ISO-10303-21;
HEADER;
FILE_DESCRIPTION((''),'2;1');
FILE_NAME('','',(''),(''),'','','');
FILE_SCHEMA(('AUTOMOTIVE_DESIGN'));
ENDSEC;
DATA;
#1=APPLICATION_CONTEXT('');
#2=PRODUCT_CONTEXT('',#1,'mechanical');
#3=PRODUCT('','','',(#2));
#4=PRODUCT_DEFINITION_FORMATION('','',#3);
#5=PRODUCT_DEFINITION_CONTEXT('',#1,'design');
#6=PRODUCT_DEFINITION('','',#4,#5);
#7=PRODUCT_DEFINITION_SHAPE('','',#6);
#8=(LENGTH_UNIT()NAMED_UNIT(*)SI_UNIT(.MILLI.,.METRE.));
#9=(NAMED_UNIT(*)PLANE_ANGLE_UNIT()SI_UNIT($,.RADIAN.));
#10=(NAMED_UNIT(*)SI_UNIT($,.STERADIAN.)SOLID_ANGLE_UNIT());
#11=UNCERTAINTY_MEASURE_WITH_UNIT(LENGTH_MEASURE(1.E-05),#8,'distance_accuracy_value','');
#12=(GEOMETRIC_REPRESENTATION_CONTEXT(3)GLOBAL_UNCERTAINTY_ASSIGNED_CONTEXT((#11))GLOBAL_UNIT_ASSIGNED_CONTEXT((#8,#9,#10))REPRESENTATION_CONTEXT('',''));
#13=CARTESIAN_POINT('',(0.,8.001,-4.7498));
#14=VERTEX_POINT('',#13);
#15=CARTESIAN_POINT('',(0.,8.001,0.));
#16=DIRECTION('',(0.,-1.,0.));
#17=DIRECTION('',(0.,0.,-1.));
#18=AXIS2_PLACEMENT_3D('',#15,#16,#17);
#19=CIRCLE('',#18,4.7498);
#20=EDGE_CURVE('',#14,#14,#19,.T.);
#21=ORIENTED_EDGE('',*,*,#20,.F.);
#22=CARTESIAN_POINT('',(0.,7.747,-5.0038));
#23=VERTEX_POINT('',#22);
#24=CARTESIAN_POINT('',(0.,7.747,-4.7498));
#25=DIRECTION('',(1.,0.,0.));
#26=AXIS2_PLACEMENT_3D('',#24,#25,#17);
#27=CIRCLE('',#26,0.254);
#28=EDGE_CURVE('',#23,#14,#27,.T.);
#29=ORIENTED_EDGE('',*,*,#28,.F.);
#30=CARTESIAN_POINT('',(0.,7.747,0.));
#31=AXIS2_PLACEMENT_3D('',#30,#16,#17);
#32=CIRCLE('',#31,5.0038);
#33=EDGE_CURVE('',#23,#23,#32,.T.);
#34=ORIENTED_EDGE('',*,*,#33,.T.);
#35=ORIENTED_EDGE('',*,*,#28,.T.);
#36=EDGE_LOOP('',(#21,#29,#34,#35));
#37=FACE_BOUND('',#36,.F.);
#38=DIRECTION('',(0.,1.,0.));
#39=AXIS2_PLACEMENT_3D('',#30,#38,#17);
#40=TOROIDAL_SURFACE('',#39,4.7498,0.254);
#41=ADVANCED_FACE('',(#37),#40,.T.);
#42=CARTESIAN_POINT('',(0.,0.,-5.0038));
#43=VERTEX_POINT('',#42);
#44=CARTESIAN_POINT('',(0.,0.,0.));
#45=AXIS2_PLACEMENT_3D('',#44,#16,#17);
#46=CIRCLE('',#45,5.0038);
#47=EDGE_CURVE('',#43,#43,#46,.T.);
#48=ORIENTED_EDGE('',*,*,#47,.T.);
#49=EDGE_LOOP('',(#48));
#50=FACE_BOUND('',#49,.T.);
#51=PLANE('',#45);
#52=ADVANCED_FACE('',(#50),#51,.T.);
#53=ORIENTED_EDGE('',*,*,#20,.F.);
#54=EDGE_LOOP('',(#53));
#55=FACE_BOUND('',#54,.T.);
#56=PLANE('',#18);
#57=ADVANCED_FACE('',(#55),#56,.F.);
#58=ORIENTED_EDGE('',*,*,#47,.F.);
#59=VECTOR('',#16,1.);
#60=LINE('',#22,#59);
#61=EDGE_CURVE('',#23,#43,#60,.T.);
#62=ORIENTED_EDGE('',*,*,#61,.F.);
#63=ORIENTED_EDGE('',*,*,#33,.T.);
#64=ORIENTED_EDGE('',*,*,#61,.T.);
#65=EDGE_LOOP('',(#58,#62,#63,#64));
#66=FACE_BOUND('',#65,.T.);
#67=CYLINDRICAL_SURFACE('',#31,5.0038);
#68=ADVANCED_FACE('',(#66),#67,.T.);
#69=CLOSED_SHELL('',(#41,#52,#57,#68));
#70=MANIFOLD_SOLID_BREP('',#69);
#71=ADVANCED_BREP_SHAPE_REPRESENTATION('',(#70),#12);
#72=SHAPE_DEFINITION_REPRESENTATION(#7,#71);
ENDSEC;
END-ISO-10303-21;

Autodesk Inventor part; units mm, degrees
sketch "Sketch_3" plane through (0, 0, 0) normal (1, 0, 0) x (0, 1, 0)
  line L0 (0, 0) -> (8.001, 0)
  line L1 (8.001, 0) -> (8.001, -4.7498)
  arc A0 (7.747, -5.0038) -> (8.001, -4.7498) centre (7.747, -4.7498) ccw
  line L2 (7.747, -5.0038) -> (0, -5.0038)
  line L3 (0, -5.0038) -> (0, 0)
  line L4 (0, 0) -> (8.001, 0)
revolve "Revolution1" add sketch "Sketch_3" angle 360 about axis through (0, 0, 0) along (0, -1, 0)
ref_plane "to_plunger_XY" through (0, 0, 0) normal (0, -1, 0) x (1, 0, 0)
ref_plane "to_plunger_YZ" through (0, 0, 0) normal (1, 0, 0) x (0, 0, 1)
ref_plane "to_plunger_ZX" through (0, 0, 0) normal (0, 0, 1) x (0, -1, 0)
properties part number "MBSCA"
